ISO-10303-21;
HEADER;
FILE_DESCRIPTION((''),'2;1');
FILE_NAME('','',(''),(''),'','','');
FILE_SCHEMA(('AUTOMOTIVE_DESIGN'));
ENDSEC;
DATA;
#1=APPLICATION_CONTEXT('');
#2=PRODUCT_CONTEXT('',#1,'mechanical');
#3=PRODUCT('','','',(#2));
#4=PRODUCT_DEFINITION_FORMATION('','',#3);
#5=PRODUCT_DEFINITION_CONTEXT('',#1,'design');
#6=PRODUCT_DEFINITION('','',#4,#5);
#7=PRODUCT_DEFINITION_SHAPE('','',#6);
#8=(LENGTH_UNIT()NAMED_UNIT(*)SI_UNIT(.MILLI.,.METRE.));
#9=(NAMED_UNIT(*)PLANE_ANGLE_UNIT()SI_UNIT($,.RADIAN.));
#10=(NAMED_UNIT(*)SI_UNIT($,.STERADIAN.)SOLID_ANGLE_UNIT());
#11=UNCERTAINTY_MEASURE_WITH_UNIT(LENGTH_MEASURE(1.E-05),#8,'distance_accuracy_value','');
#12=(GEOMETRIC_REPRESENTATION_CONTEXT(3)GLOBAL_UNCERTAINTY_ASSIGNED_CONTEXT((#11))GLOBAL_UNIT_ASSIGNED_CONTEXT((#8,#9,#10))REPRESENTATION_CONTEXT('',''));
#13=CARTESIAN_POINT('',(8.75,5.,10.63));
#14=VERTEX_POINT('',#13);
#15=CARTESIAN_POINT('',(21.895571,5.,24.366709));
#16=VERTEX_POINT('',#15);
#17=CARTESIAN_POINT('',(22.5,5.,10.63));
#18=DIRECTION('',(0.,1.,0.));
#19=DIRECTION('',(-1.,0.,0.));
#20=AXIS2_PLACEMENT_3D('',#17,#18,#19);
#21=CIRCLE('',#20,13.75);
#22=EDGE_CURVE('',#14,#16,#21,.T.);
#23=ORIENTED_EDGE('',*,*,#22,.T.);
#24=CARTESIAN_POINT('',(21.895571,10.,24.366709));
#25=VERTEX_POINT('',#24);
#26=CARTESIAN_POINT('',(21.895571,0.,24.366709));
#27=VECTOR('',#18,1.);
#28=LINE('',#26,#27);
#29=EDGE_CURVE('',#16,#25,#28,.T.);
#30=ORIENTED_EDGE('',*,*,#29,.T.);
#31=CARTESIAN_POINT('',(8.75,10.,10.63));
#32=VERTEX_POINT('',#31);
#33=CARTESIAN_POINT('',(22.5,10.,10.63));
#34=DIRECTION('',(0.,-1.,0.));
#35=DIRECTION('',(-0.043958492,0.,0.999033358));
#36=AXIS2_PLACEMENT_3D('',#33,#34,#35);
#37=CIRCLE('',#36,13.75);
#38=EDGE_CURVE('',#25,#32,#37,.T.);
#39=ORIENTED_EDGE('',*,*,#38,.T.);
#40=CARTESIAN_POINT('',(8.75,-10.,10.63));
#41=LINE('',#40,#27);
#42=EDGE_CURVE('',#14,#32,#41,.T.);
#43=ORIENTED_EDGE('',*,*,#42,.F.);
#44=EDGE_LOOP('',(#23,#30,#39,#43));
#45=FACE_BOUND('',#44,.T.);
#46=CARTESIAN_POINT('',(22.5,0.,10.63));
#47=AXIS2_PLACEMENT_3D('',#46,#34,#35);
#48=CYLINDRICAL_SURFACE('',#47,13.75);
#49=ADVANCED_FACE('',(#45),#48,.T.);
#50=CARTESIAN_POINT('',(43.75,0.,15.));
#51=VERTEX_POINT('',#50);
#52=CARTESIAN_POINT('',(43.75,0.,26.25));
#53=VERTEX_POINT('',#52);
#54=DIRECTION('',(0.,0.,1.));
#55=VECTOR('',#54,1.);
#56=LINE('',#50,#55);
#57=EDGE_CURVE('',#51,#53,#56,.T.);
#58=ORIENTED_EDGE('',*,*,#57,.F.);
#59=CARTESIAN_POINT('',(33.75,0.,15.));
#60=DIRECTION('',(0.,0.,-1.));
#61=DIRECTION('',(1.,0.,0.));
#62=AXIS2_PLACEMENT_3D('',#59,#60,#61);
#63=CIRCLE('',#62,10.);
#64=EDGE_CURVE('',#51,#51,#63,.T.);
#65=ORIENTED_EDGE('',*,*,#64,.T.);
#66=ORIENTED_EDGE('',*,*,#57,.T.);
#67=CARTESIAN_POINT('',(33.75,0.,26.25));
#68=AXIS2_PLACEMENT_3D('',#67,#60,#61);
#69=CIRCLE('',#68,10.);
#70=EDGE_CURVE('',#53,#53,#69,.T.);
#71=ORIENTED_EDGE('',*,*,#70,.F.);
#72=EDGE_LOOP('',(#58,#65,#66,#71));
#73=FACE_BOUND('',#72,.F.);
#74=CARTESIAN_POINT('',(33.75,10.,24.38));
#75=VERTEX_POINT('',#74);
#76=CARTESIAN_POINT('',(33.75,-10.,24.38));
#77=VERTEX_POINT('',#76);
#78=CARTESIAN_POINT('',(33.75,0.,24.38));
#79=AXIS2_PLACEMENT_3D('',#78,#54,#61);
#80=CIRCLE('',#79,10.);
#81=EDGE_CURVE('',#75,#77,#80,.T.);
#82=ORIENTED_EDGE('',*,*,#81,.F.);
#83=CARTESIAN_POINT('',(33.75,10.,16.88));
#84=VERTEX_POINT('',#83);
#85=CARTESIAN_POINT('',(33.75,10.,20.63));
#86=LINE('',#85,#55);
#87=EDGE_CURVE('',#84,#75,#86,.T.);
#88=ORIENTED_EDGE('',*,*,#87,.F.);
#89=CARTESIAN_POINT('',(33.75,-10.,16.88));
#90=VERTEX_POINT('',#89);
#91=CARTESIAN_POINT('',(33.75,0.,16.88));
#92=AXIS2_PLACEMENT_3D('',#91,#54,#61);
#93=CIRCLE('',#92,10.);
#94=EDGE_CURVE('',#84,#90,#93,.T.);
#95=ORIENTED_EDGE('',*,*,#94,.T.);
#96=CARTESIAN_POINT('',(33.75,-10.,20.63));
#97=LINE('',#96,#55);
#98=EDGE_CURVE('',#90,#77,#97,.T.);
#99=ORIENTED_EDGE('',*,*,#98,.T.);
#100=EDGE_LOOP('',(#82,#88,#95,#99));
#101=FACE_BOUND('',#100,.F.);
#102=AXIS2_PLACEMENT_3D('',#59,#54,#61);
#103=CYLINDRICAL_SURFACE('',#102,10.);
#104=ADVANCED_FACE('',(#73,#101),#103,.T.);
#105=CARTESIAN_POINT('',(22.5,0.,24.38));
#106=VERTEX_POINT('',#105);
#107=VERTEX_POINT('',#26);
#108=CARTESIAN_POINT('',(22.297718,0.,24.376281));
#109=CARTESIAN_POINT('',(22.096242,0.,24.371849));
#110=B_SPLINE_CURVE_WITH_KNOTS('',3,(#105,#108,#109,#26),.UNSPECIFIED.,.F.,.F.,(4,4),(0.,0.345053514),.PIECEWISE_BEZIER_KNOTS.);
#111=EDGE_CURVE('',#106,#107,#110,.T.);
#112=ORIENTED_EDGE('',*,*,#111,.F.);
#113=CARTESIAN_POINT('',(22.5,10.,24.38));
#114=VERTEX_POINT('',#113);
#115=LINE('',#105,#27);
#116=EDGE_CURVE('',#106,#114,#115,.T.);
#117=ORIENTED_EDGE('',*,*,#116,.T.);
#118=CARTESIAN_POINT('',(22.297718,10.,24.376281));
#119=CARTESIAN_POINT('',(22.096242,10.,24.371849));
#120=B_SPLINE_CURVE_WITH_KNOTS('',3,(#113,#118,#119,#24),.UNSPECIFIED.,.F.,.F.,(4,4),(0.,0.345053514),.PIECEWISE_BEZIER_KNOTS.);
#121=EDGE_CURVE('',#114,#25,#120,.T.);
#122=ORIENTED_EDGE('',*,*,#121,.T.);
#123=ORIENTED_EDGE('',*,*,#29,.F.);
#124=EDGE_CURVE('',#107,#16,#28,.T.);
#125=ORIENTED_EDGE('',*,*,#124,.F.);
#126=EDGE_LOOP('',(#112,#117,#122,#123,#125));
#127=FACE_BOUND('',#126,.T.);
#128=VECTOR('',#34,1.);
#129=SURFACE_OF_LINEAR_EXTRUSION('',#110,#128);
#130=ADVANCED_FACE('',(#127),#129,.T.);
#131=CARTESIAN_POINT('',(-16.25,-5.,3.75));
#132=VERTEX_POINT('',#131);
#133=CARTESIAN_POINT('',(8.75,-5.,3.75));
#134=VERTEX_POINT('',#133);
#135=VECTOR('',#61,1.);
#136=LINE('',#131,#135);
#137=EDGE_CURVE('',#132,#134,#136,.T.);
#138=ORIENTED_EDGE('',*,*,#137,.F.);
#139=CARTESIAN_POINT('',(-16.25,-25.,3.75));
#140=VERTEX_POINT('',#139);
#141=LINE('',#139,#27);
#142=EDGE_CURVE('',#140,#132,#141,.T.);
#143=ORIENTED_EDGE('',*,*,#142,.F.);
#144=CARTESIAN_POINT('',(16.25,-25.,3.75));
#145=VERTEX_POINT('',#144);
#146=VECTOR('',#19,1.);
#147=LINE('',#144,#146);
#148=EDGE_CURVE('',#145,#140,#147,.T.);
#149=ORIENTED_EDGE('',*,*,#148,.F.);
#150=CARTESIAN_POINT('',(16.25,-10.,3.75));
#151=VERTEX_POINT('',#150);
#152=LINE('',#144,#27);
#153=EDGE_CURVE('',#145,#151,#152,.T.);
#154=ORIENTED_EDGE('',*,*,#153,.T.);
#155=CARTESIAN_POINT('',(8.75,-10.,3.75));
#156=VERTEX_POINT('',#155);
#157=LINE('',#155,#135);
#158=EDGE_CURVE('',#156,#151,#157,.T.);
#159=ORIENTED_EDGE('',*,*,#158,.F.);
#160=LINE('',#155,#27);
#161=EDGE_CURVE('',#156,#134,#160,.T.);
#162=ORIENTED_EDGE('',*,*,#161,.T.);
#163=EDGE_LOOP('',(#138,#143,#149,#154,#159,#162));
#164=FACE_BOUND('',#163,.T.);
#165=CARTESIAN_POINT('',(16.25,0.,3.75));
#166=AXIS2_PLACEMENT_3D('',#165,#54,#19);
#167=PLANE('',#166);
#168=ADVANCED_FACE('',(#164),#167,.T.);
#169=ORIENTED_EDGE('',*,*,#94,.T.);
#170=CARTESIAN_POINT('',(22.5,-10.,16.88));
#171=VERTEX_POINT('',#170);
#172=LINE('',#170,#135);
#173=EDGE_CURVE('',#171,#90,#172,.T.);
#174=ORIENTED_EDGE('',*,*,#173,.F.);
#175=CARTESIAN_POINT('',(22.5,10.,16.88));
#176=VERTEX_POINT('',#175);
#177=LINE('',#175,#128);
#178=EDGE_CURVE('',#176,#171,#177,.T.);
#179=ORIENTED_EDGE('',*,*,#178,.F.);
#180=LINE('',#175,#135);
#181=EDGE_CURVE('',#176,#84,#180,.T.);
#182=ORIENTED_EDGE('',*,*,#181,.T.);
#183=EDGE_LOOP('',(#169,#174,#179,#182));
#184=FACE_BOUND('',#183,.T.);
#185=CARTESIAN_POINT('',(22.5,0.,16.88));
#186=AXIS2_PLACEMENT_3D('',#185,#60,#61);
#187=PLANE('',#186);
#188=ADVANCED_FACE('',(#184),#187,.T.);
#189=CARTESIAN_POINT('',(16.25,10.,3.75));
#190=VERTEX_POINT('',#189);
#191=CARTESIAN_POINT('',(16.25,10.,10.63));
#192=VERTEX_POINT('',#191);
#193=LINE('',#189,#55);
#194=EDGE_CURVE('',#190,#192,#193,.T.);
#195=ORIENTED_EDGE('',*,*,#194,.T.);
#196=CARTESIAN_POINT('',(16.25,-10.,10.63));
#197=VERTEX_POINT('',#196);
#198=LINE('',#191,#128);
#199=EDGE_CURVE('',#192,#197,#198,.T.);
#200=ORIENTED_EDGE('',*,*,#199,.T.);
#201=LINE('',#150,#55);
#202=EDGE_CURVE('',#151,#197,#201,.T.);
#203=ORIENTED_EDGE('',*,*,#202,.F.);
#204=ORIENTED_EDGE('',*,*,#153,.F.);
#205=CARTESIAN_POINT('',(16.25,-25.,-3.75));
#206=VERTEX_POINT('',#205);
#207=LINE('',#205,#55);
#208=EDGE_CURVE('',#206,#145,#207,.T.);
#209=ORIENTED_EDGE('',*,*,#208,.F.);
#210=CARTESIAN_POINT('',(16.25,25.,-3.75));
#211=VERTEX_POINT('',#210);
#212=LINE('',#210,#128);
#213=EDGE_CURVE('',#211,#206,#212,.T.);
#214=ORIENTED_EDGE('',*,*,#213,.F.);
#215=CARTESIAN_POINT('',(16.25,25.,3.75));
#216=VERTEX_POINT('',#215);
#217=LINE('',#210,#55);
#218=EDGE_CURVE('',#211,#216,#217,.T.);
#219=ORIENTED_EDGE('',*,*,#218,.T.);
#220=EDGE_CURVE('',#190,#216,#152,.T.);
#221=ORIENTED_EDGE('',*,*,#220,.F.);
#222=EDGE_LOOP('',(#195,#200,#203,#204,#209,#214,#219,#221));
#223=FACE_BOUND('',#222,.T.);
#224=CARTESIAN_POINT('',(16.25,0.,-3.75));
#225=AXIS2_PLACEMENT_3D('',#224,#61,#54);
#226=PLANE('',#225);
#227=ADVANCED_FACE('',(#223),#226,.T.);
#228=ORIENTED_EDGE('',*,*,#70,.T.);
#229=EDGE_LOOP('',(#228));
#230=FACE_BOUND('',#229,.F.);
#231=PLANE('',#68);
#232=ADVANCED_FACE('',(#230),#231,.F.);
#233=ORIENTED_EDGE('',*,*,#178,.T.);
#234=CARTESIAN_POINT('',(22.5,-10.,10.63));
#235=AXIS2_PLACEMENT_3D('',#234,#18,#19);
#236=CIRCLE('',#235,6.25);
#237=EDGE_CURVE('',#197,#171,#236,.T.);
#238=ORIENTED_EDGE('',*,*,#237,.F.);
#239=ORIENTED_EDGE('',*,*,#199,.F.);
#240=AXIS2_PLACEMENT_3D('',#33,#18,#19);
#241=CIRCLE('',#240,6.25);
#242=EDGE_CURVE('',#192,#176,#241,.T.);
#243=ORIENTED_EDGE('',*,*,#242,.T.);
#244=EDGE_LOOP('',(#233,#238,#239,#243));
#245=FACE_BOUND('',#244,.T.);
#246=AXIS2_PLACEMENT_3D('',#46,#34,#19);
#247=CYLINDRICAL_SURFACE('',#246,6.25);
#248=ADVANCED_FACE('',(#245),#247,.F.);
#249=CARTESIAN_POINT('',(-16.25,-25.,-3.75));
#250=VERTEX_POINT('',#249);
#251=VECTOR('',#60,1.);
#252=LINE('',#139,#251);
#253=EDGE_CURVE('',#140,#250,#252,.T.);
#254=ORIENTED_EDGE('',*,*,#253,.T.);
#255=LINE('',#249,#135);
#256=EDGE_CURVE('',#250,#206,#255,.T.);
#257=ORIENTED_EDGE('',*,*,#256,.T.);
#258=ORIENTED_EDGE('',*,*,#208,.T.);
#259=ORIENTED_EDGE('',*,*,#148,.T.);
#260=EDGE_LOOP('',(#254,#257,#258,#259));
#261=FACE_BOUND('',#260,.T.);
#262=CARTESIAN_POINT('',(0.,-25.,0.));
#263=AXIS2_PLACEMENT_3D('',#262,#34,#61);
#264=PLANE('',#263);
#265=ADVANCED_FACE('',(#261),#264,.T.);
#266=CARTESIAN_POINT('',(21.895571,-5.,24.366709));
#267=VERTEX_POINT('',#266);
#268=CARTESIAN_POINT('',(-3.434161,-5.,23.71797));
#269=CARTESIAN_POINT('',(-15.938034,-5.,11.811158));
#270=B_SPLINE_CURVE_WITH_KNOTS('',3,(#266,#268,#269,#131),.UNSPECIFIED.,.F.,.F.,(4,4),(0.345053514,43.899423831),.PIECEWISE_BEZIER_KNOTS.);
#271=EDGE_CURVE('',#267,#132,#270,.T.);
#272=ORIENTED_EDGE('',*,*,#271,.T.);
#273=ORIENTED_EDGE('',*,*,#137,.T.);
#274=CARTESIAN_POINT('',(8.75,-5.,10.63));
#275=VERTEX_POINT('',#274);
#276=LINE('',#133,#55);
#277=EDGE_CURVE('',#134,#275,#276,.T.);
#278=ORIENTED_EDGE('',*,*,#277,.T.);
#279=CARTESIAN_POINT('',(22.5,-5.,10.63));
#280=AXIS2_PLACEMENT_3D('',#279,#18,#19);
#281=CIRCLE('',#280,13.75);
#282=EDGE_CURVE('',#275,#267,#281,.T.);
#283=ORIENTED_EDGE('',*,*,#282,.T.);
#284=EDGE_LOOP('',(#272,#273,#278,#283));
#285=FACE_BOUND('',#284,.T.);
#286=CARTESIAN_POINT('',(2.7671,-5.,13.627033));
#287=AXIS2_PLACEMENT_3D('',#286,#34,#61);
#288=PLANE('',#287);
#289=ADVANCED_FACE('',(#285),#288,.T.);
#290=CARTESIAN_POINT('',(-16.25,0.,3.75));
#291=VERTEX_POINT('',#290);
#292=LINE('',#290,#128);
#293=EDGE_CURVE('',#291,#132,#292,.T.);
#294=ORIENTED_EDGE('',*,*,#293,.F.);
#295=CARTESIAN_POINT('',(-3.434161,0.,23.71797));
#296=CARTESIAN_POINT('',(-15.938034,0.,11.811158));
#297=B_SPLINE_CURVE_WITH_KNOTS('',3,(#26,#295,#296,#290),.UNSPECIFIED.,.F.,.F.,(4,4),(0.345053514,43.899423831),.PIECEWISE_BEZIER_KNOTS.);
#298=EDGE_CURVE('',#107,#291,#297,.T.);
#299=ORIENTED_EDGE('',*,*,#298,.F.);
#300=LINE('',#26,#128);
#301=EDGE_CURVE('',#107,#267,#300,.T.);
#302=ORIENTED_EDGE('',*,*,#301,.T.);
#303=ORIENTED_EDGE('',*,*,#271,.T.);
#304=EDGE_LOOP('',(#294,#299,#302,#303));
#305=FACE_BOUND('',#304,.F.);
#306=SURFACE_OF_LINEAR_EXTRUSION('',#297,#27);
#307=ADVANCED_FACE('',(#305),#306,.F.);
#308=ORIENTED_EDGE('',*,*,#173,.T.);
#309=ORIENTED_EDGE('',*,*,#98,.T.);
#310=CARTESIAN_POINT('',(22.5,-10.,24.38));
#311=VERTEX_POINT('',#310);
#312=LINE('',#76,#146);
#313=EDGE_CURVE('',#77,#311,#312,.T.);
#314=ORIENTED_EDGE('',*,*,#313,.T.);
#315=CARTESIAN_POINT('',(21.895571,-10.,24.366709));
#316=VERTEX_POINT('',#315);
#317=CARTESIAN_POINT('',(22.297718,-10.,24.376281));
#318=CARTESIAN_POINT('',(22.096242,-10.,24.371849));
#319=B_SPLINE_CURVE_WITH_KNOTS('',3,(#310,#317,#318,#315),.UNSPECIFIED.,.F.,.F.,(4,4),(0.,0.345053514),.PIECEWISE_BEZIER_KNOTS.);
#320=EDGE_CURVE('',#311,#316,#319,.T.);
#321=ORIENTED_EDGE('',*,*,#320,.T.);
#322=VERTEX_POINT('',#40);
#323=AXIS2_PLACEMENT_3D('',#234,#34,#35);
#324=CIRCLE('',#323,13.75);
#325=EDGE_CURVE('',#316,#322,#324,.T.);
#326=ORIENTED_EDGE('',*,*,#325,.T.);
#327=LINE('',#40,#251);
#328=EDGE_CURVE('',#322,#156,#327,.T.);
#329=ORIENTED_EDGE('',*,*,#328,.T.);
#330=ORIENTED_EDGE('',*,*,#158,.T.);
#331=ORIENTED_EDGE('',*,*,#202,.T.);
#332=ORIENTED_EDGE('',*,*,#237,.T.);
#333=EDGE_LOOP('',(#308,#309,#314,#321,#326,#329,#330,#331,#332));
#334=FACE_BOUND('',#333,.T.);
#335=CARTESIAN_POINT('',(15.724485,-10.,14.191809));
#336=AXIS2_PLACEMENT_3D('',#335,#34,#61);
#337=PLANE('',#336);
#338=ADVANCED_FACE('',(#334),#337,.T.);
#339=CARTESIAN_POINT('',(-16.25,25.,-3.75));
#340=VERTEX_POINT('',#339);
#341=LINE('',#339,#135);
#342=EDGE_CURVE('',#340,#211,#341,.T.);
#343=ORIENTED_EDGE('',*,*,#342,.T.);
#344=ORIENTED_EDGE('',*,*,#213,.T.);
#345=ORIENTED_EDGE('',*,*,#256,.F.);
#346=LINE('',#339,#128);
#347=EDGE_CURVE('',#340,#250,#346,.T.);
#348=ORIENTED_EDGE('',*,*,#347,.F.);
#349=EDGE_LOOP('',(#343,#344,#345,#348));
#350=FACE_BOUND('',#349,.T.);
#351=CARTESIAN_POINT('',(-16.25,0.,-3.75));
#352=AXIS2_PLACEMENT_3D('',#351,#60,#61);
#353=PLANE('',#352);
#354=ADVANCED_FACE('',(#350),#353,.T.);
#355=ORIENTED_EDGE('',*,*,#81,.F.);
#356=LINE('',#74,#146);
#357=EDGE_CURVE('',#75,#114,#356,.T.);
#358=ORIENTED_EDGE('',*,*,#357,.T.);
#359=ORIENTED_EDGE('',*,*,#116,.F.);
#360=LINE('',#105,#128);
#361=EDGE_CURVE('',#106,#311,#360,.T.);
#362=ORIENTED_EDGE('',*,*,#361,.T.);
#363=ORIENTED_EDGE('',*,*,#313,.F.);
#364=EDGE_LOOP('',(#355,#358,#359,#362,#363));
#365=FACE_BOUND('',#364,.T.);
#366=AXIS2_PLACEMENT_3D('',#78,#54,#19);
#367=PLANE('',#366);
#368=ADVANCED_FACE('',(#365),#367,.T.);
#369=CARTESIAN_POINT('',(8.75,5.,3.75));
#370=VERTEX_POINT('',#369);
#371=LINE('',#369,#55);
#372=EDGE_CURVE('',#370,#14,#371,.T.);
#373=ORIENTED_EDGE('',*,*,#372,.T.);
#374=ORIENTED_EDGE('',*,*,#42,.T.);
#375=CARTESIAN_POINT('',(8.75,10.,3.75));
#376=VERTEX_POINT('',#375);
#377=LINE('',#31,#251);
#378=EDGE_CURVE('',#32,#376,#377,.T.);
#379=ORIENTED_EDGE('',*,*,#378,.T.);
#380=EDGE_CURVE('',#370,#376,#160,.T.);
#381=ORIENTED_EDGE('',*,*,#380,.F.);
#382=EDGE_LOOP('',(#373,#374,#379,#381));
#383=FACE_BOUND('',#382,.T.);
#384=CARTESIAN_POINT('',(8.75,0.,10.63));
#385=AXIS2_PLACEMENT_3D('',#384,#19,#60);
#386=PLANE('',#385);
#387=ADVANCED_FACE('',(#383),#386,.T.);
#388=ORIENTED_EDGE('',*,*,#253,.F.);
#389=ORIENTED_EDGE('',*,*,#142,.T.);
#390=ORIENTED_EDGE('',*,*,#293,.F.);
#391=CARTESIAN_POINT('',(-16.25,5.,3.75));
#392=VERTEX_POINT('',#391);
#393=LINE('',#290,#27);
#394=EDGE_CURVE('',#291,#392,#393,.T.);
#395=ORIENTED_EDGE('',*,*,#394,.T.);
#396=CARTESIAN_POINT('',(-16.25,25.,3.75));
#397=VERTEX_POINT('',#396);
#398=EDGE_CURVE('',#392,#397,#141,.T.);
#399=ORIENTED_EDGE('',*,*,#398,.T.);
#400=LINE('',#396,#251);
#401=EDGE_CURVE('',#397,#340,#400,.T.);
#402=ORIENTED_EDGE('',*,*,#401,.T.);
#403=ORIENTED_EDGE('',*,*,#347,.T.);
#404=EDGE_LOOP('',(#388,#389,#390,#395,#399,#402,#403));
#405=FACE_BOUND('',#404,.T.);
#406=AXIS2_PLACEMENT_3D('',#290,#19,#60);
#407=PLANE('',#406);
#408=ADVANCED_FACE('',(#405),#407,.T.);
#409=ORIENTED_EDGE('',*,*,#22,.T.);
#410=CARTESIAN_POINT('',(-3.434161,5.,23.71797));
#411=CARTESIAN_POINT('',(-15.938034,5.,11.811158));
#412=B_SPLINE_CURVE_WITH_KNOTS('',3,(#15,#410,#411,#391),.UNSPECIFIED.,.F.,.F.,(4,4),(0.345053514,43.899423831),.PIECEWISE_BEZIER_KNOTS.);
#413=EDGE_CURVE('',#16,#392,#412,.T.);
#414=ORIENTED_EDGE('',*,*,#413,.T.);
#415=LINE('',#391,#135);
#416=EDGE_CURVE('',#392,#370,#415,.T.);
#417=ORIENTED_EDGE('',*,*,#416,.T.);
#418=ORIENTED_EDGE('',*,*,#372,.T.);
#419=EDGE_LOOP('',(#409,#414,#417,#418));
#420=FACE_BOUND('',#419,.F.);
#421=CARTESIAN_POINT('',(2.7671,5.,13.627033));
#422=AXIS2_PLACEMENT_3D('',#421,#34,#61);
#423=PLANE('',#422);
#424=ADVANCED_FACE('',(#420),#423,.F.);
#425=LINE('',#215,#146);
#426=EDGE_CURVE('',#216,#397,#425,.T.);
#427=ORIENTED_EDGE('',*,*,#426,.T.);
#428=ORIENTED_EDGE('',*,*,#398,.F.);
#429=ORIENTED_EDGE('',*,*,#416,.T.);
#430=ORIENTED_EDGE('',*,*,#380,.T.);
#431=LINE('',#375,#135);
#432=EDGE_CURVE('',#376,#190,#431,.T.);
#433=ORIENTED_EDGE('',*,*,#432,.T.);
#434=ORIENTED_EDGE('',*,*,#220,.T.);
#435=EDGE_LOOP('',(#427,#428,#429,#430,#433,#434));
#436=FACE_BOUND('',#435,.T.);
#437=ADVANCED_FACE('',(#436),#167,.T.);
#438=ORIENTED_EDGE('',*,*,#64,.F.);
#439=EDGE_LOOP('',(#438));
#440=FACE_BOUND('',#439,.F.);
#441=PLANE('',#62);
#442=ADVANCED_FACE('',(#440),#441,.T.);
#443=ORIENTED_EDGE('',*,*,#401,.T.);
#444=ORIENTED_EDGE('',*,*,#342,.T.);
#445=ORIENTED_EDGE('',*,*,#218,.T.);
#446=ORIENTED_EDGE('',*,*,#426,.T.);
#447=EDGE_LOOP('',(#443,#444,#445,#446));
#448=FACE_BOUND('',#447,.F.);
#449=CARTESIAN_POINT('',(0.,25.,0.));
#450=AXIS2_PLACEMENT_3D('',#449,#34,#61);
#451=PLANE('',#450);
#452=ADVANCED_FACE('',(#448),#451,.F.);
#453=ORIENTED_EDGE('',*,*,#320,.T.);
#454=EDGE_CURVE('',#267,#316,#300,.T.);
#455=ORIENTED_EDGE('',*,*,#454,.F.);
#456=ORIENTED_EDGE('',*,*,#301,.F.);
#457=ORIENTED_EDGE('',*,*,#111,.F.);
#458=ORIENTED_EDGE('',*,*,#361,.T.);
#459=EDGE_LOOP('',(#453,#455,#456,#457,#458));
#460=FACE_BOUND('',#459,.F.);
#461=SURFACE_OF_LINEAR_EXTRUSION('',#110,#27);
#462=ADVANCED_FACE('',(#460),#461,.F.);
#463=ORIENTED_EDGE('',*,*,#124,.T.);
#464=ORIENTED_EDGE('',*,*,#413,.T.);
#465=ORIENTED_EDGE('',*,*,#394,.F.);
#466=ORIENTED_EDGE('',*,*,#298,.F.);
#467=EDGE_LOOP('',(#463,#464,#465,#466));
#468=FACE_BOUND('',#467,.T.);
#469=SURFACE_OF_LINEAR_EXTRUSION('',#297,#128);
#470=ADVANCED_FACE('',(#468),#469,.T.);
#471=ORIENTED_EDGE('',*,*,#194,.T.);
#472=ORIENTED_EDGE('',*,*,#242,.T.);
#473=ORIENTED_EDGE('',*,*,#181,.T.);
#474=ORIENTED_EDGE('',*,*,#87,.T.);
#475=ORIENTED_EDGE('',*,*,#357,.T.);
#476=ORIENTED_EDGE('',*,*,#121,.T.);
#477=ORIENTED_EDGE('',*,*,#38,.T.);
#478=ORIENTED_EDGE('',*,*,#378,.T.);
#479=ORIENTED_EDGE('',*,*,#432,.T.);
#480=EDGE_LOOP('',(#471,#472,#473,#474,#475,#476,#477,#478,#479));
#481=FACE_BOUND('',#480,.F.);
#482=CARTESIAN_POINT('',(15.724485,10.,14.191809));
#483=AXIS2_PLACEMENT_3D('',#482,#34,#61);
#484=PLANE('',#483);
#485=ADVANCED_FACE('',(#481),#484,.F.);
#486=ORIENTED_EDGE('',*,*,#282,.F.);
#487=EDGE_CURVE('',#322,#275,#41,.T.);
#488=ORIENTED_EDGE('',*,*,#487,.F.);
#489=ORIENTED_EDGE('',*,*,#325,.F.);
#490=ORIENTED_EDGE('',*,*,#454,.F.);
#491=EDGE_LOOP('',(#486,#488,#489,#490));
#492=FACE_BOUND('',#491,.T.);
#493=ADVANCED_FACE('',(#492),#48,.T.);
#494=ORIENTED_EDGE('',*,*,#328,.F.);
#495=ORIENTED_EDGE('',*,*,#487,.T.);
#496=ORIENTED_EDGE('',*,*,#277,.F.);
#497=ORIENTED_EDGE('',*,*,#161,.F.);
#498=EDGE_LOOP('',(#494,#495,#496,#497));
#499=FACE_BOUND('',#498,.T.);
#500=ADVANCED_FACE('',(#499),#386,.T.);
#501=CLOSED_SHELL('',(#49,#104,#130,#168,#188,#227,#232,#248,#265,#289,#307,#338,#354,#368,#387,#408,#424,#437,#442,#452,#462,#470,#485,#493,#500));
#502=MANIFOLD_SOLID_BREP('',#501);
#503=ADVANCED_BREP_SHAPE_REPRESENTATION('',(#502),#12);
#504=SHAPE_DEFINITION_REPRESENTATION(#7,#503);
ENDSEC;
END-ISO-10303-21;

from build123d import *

# Parameters (mm, degrees)
F1_DEPTH = 25
F2_DEPTH = 5
F0_W     = 10
F0_H     = 7.5000003082
F3_DEPTH = 10


with BuildPart() as f1:
    # F0 (on Front) → F1 (new body, symmetric)
    with BuildSketch(Plane.XZ):
        Polygon((-16.25, 3.75), (-16.25, -3.75), (16.25, -3.75), (16.25, 3.75), (8.7499996918, 3.75), align=None)
    extrude(amount=F1_DEPTH, both=True)

    # F0 (on Front) → F2 (join, symmetric)
    with BuildSketch(Plane.XZ):
        with BuildLine():
            add(Edge.make_bspline(
                [(21.8955707276, 24.3667089847), (-3.4341610337, 23.7179701403), (-15.9380340583, 11.8111578561), (-16.25, 3.75)],
                knots=[0.3450535136, 0.3450535136, 0.3450535136, 0.3450535136, 43.8994238312, 43.8994238312, 43.8994238312, 43.8994238312], degree=3))
            Line((-16.25, 3.75), (8.7499996918, 3.75))
            Line((8.7499996918, 3.75), (8.7499996918, 10.63))
            ThreePointArc((8.7499996918, 10.63), (12.5658817413, 20.1366188993), (21.8955707276, 24.3667089847))
        make_face()
    extrude(amount=F2_DEPTH, both=True)

    # F0 (on Front) → F3 (join, symmetric)
    with BuildSketch(Plane.XZ):
        with BuildLine():
            Line((8.7499996918, 3.75), (16.25, 3.75))
            Line((16.25, 3.75), (16.25, 10.63))
            ThreePointArc((16.25, 10.63), (18.0805826176, 15.0494173824), (22.5, 16.88))
            Line((22.5, 16.88), (23.75, 16.88))
            Line((23.75, 16.88), (23.75, 24.3800003082))
            Line((23.75, 24.3800003082), (22.5, 24.3800003082))
            add(Edge.make_bspline(
                [(22.5, 24.3800003082), (22.2977183657, 24.3762814735), (22.0962420467, 24.371848529), (21.8955707276, 24.3667089847)],
                knots=[0, 0, 0, 0, 0.3450535136, 0.3450535136, 0.3450535136, 0.3450535136], degree=3))
            ThreePointArc((21.8955707276, 24.3667089847), (12.5658817413, 20.1366188993), (8.7499996918, 10.63))
            Line((8.7499996918, 10.63), (8.7499996918, 3.75))
        make_face()
        with Locations((28.75, 20.6300001541)):
            Rectangle(F0_W, F0_H)
    extrude(amount=F3_DEPTH, both=True)

    # F0 (on Front) → F4 (revolve)
    with BuildSketch(Plane.XZ):
        Polygon((33.75, 26.25), (33.75, 24.3800003082), (33.75, 16.88), (33.75, 15), (43.75, 15), (43.75, 26.25), align=None)
    revolve(axis=Axis((33.75, 0, 20.625), (0, 0, -1)))


solid = f1.part
